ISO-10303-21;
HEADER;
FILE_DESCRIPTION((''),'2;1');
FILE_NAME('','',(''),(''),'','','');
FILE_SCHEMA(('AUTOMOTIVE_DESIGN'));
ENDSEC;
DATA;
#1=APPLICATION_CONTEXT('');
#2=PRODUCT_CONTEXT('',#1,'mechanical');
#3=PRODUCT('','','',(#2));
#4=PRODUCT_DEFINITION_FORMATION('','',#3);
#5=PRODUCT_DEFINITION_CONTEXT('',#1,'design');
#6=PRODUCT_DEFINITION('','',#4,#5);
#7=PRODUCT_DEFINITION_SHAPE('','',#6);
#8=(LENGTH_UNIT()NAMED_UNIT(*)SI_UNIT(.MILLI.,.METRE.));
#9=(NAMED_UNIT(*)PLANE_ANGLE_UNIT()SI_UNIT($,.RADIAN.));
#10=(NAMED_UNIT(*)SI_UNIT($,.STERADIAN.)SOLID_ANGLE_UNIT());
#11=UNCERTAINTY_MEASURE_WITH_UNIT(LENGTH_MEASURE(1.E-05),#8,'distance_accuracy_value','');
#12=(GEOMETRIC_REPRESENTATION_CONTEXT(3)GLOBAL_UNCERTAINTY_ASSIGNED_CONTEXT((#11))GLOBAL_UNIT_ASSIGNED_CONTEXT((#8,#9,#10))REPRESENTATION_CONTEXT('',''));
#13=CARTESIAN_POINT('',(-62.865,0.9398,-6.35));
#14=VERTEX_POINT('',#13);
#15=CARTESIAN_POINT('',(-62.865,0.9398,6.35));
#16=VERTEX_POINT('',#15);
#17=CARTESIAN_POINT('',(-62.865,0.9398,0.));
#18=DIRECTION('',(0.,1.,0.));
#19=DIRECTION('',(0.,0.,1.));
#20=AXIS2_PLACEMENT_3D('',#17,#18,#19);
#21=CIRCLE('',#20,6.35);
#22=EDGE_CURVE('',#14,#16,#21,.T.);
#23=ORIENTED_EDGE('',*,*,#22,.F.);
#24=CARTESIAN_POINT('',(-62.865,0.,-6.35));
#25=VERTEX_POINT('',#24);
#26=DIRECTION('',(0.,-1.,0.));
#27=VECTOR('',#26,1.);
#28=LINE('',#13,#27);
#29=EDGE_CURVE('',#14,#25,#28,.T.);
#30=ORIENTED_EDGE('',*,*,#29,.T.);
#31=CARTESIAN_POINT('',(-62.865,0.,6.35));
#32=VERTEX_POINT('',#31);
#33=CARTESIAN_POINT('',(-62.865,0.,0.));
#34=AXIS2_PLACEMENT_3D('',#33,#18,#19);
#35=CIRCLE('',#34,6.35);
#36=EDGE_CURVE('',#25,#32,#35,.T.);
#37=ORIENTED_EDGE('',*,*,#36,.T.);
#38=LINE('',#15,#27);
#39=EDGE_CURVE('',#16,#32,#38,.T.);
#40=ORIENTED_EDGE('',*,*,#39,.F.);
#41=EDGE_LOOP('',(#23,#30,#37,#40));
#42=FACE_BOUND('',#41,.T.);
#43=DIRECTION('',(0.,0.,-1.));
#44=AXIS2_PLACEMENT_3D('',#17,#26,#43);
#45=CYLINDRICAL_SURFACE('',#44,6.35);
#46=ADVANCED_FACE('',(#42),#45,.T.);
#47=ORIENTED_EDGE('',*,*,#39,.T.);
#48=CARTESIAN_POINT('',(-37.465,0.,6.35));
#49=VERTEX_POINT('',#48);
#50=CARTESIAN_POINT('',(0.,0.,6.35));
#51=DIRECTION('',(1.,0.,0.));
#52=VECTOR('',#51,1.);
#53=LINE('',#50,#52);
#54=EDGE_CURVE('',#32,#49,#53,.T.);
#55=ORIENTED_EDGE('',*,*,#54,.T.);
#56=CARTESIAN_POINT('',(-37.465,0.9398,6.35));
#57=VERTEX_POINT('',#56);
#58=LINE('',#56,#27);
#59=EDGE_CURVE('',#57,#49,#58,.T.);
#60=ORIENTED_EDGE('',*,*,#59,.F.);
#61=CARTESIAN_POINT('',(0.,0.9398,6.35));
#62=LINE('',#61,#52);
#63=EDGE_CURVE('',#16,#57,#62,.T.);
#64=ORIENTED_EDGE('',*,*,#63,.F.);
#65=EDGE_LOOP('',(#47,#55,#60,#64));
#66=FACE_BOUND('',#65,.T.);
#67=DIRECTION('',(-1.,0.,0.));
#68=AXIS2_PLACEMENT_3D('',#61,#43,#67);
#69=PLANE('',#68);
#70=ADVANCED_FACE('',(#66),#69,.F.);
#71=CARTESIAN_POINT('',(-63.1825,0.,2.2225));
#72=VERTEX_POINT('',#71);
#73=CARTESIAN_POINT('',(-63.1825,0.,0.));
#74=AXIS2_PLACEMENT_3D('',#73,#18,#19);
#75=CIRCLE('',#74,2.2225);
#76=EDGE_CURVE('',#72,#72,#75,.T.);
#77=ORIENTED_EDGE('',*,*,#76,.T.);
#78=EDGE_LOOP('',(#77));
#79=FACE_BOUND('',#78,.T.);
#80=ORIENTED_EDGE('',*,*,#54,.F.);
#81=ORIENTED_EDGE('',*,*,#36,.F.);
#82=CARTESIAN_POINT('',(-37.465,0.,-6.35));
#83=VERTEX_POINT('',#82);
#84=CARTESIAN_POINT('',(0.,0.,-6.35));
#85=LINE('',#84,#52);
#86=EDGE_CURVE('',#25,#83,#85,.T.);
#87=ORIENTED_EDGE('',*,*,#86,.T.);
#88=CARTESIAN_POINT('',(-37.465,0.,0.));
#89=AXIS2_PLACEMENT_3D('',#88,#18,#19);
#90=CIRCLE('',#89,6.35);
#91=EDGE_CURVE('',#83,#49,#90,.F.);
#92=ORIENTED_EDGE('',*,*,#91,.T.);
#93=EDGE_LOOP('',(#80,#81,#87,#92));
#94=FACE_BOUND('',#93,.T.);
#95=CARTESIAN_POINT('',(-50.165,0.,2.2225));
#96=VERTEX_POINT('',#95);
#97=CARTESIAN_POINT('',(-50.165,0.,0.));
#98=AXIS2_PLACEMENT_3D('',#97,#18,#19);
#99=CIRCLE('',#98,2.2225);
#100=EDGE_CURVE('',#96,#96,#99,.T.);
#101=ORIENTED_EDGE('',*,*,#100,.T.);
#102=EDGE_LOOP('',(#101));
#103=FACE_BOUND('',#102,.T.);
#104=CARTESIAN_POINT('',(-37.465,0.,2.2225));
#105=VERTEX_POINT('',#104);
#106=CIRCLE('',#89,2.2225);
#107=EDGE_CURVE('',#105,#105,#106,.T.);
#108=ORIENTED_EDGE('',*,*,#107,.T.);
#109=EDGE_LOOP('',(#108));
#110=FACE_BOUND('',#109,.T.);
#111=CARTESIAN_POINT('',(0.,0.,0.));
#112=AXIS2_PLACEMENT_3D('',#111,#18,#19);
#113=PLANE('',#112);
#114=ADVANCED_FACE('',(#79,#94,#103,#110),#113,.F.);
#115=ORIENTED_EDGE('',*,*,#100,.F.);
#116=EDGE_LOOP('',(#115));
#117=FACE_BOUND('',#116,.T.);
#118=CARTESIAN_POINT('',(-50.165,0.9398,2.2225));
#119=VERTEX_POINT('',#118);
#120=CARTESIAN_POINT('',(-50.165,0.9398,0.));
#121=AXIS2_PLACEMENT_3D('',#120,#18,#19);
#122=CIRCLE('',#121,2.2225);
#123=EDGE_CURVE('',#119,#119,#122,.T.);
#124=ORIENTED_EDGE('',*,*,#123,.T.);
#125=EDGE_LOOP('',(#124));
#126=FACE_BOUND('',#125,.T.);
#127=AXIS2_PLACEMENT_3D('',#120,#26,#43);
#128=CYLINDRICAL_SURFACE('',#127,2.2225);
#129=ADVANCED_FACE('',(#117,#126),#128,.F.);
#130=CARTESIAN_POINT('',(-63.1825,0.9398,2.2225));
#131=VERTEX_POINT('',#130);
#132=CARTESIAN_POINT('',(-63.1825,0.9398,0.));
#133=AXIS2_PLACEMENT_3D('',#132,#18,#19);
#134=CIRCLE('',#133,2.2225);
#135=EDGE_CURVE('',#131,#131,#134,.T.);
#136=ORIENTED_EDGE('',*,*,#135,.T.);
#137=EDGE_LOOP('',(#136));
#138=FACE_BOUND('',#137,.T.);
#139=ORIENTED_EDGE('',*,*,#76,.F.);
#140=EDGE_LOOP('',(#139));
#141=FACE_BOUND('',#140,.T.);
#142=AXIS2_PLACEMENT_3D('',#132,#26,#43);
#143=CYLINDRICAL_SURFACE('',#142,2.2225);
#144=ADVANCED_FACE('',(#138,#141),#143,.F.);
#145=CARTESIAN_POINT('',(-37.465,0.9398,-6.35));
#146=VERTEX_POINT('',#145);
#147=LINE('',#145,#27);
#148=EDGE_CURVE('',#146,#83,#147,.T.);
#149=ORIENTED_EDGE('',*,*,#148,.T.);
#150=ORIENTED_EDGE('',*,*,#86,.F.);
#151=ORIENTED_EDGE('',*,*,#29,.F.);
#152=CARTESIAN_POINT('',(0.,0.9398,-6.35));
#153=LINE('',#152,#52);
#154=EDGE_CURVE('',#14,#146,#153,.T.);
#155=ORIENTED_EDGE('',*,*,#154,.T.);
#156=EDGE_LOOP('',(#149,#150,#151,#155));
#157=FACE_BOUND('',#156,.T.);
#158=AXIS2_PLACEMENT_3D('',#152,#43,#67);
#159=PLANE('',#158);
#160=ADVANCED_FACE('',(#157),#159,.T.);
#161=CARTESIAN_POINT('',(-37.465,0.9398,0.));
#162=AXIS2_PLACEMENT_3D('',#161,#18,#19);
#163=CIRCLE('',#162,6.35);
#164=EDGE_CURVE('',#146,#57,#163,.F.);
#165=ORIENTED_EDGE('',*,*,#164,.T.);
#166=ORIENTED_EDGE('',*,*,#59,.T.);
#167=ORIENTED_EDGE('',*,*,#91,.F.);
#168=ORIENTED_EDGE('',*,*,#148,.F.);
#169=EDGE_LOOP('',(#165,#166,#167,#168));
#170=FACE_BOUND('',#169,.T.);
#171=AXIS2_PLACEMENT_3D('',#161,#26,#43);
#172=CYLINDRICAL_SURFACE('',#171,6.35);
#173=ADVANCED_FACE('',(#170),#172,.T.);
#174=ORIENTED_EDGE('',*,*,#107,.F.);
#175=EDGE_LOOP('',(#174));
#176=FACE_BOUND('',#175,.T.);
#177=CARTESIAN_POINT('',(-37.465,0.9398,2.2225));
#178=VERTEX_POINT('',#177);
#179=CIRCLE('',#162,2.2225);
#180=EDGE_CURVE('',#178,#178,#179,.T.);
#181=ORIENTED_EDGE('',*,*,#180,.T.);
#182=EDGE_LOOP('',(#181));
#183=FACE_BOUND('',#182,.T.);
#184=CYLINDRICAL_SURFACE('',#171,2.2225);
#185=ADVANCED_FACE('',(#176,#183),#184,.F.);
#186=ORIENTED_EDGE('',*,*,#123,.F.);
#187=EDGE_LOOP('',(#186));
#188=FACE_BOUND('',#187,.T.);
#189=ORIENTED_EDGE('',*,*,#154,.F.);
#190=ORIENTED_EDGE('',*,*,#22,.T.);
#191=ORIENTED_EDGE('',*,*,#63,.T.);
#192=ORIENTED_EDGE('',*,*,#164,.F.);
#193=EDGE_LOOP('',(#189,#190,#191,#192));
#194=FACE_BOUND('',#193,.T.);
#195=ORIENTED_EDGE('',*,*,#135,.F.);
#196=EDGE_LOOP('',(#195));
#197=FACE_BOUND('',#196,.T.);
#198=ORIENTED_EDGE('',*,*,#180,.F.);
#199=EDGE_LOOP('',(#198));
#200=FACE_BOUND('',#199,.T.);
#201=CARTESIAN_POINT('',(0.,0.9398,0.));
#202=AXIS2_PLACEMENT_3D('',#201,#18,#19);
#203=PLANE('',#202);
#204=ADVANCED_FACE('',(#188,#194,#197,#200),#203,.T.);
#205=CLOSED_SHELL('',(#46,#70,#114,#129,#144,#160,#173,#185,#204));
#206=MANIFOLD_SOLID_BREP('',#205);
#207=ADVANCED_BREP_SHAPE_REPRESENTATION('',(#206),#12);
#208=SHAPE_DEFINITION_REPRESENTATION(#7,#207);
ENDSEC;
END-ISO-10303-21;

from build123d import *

# Parameters (mm, degrees)
SKETCH1_R = 2.2225
BAR_DEPTH = 0.9398


with BuildPart() as part:
    # Sketch1 → Bar (new body)
    with BuildSketch(Plane(origin=(0, 0, 0), x_dir=(-1, 0, 0), z_dir=(0, 1, 0))):
        with BuildLine():
            Line((37.465, -6.35), (62.865, -6.35))
            ThreePointArc((62.865, -6.35), (69.215, 0), (62.865, 6.35))
            Line((62.865, 6.35), (37.465, 6.35))
            ThreePointArc((37.465, 6.35), (31.115, 0), (37.465, -6.35))
        make_face()
        with Locations((37.465, 0)):
            Circle(SKETCH1_R, mode=Mode.SUBTRACT)
        with Locations((50.165, 0)):
            Circle(SKETCH1_R, mode=Mode.SUBTRACT)
        with Locations((63.1825, 0)):
            Circle(SKETCH1_R, mode=Mode.SUBTRACT)
    extrude(amount=BAR_DEPTH)


solid = part.part
